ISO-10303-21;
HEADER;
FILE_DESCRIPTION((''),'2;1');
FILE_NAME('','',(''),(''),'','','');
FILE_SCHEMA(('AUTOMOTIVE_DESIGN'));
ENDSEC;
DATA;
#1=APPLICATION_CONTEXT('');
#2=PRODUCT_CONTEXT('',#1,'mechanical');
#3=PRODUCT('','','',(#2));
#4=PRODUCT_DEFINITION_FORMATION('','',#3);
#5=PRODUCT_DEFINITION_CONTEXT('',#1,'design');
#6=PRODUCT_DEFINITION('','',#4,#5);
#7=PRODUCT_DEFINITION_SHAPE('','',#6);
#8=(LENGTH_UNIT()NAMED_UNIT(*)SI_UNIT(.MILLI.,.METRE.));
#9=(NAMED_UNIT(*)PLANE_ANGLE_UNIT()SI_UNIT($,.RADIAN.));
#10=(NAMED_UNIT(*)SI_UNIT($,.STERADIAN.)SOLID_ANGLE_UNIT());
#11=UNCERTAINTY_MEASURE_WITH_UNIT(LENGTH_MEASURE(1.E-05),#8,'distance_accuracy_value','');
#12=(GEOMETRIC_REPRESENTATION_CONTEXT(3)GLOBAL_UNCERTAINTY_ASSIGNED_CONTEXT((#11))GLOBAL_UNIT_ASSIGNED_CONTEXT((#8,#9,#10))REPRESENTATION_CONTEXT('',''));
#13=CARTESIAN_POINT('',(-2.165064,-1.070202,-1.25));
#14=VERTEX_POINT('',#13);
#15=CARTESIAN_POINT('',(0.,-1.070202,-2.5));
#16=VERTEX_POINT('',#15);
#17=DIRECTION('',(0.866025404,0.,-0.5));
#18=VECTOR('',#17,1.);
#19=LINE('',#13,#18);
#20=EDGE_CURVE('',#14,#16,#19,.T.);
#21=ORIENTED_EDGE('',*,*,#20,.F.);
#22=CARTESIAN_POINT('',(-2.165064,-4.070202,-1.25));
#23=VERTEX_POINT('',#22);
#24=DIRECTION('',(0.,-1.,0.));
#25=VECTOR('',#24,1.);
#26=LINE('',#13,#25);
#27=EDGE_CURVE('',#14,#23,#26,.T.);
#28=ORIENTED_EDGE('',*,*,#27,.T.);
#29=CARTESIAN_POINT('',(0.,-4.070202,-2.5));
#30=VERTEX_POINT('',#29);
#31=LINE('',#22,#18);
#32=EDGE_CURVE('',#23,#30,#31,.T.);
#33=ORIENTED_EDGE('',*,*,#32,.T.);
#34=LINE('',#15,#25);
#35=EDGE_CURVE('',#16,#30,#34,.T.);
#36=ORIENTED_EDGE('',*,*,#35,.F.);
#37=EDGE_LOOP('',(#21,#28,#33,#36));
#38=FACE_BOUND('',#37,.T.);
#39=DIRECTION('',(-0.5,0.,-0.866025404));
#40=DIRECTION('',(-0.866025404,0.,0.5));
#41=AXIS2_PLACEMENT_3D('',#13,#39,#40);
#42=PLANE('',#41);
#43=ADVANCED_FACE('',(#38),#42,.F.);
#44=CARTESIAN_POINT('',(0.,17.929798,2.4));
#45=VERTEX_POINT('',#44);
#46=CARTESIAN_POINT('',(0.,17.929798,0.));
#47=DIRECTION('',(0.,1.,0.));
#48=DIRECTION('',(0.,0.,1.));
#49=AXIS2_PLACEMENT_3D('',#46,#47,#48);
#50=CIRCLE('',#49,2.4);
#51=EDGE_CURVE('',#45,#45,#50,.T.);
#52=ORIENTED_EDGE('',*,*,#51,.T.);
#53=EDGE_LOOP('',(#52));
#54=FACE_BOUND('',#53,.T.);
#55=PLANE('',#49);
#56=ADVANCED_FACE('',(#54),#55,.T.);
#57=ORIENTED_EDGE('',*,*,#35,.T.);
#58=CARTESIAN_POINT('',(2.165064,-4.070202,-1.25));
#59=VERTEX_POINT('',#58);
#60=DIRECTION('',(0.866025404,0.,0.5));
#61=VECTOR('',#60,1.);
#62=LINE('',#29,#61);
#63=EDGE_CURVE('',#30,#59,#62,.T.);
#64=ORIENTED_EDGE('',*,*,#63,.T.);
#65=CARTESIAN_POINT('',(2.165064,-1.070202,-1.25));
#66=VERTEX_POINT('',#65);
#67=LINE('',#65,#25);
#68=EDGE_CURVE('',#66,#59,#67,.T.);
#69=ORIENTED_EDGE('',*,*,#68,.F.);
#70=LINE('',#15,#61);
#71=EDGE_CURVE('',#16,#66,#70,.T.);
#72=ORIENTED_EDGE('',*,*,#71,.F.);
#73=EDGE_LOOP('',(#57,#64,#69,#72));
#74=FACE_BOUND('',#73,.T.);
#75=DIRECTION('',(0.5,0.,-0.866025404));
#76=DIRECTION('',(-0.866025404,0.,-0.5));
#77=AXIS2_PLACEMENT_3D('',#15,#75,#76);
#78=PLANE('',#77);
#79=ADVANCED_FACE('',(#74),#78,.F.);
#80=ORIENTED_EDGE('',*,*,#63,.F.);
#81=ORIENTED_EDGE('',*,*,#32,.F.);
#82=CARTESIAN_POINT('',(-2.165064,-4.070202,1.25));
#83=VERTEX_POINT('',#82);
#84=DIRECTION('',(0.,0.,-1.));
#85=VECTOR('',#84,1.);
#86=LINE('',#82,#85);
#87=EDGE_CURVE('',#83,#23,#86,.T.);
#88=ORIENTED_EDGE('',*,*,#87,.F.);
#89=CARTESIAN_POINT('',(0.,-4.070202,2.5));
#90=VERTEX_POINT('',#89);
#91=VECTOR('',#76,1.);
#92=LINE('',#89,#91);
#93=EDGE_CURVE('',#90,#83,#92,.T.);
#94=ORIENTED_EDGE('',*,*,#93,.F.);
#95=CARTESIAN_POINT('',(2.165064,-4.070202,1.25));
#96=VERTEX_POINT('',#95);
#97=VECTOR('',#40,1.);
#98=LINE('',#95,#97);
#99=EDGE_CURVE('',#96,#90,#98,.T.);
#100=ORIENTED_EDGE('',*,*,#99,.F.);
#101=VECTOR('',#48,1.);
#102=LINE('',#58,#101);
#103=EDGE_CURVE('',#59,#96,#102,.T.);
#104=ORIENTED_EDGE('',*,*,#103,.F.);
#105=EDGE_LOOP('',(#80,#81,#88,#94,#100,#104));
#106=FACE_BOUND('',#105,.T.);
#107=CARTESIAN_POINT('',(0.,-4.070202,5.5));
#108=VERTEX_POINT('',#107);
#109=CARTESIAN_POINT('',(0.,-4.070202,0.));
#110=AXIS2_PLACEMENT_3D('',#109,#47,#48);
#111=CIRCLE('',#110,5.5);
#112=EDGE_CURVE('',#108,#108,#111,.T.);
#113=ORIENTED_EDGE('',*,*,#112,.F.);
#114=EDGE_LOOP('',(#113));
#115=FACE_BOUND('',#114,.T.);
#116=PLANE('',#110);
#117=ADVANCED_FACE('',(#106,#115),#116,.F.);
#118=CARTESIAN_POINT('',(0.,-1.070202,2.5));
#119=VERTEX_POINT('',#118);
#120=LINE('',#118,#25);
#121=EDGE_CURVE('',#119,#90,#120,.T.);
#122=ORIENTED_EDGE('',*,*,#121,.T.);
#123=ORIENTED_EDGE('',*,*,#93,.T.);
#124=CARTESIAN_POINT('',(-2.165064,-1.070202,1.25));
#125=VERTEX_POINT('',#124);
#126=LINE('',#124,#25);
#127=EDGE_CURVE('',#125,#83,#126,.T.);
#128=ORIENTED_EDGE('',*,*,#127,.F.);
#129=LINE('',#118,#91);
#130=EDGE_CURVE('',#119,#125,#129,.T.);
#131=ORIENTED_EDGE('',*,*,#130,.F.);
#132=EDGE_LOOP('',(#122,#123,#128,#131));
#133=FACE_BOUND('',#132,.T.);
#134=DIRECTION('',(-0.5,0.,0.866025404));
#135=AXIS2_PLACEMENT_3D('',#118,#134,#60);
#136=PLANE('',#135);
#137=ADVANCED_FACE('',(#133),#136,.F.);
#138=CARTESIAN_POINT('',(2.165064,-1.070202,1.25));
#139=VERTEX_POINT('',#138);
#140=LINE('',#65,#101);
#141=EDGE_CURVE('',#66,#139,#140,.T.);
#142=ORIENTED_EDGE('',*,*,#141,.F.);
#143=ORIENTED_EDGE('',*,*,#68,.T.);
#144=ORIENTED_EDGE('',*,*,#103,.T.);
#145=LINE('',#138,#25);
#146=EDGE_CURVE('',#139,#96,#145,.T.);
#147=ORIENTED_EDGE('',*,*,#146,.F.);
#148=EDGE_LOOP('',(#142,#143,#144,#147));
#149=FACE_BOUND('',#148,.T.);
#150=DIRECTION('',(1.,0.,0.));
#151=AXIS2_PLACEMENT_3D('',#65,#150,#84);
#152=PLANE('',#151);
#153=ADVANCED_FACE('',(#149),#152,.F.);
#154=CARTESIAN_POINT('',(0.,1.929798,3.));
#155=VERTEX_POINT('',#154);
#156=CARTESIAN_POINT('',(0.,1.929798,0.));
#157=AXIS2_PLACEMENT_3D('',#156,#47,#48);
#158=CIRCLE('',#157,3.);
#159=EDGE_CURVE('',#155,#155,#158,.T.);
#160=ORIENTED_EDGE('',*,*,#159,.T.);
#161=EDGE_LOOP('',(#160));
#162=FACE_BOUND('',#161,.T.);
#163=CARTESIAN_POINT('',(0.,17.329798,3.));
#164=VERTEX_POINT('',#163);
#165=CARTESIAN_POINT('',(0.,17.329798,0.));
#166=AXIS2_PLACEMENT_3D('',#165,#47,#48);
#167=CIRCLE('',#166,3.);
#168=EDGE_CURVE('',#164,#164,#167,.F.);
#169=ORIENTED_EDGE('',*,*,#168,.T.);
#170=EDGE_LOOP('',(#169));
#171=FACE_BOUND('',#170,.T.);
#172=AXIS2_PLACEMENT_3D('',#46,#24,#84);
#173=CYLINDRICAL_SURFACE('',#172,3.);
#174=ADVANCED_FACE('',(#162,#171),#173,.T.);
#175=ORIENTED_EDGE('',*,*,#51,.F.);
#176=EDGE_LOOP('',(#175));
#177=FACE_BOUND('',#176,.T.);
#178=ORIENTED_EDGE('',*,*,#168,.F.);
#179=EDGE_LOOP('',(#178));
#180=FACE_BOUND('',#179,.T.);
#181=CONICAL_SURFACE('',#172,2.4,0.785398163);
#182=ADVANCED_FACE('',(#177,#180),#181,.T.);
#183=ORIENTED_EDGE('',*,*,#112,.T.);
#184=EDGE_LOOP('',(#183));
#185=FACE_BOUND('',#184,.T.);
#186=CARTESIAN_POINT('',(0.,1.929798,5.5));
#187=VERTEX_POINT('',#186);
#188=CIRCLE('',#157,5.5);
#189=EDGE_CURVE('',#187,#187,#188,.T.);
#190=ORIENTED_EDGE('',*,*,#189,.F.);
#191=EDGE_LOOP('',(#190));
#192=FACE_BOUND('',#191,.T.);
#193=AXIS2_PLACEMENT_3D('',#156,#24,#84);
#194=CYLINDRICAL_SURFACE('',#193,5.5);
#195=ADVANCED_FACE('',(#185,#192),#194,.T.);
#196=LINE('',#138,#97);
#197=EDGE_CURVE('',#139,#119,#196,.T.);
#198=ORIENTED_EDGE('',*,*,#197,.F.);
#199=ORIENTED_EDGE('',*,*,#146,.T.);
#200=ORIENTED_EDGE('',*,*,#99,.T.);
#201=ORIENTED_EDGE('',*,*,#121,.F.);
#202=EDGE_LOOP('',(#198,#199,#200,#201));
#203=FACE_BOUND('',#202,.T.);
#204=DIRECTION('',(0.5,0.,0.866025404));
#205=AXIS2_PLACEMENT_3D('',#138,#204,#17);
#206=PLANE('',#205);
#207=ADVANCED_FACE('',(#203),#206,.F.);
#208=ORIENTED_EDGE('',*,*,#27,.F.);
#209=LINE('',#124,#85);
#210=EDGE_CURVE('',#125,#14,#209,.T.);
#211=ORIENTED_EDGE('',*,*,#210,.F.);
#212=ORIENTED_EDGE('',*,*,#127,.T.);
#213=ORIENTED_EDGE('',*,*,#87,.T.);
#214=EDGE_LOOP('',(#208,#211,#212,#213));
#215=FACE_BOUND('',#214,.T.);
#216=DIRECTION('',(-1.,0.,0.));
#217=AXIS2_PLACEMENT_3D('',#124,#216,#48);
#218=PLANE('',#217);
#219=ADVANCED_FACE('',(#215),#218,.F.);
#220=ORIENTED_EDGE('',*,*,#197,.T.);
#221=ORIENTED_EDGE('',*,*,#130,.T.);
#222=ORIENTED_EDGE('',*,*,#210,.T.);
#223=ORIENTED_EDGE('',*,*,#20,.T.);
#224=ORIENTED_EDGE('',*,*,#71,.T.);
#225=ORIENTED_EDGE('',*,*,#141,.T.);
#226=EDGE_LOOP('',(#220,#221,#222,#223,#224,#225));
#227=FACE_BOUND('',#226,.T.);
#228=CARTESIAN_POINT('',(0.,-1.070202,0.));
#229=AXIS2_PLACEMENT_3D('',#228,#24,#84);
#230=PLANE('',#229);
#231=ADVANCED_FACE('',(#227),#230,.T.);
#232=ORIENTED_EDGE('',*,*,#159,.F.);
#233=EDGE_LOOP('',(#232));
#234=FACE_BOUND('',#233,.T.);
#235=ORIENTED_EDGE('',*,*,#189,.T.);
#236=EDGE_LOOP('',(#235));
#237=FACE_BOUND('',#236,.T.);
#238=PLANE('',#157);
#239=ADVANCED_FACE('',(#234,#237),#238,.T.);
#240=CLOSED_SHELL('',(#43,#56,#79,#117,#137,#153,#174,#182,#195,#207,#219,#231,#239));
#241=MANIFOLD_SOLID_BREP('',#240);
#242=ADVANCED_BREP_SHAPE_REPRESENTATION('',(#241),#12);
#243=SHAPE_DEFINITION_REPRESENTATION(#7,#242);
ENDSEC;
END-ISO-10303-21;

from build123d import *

# Parameters (mm, degrees)
SKETCH_1_R          = 2.75
EXTRUDE_1_DEPTH     = 3
CUT_EXTRUDE_1_DEPTH = 1.5
SKETCH_2_R          = 1.5
EXTRUDE_2_DEPTH     = 8
CHAMFER_1_SIZE      = 0.3
SCALE_1_SCALE       = 2


with BuildPart() as part:
    # 草图1 → 凸台-拉伸1 (new body)
    with BuildSketch(Plane(origin=(0, 0, 0), x_dir=(1, 0, 0), z_dir=(0, 1, 0))):
        with Locations(Location((0, 0, 0), (0, 0, 270))):
            Circle(SKETCH_1_R)
    extrude(amount=EXTRUDE_1_DEPTH)

    # 草图3 → 切除-拉伸1 (cut)
    with BuildSketch(Plane.XZ):
        Polygon((0, 1.25), (-1.082531755, 0.625), (-1.082531755, -0.625), (0, -1.25), (1.082531755, -0.625), (1.082531755, 0.625), align=None)
    extrude(amount=-CUT_EXTRUDE_1_DEPTH, mode=Mode.SUBTRACT)

    # 草图2 → 凸台-拉伸2 (add)
    with BuildSketch(Plane(origin=(0, 3, 0), x_dir=(1, 0, 0), z_dir=(0, 1, 0))):
        with Locations(Location((0, 0, 0), (0, 0, 270))):
            Circle(SKETCH_2_R)
    extrude(amount=EXTRUDE_2_DEPTH)

    # 倒角1
    chamfer_1_edges = [part.edges().sort_by_distance(p)[0] for p in [
        (0, 11, -1.5),
    ]]
    chamfer(chamfer_1_edges, length=CHAMFER_1_SIZE)


with BuildPart() as part_1:
    # 缩放比例1: scaled about (0, 4.07020226, 0)
    add(part.part.scale(SCALE_1_SCALE).moved(Location((0, -4.07020226, 0))))


solid = part_1.part
